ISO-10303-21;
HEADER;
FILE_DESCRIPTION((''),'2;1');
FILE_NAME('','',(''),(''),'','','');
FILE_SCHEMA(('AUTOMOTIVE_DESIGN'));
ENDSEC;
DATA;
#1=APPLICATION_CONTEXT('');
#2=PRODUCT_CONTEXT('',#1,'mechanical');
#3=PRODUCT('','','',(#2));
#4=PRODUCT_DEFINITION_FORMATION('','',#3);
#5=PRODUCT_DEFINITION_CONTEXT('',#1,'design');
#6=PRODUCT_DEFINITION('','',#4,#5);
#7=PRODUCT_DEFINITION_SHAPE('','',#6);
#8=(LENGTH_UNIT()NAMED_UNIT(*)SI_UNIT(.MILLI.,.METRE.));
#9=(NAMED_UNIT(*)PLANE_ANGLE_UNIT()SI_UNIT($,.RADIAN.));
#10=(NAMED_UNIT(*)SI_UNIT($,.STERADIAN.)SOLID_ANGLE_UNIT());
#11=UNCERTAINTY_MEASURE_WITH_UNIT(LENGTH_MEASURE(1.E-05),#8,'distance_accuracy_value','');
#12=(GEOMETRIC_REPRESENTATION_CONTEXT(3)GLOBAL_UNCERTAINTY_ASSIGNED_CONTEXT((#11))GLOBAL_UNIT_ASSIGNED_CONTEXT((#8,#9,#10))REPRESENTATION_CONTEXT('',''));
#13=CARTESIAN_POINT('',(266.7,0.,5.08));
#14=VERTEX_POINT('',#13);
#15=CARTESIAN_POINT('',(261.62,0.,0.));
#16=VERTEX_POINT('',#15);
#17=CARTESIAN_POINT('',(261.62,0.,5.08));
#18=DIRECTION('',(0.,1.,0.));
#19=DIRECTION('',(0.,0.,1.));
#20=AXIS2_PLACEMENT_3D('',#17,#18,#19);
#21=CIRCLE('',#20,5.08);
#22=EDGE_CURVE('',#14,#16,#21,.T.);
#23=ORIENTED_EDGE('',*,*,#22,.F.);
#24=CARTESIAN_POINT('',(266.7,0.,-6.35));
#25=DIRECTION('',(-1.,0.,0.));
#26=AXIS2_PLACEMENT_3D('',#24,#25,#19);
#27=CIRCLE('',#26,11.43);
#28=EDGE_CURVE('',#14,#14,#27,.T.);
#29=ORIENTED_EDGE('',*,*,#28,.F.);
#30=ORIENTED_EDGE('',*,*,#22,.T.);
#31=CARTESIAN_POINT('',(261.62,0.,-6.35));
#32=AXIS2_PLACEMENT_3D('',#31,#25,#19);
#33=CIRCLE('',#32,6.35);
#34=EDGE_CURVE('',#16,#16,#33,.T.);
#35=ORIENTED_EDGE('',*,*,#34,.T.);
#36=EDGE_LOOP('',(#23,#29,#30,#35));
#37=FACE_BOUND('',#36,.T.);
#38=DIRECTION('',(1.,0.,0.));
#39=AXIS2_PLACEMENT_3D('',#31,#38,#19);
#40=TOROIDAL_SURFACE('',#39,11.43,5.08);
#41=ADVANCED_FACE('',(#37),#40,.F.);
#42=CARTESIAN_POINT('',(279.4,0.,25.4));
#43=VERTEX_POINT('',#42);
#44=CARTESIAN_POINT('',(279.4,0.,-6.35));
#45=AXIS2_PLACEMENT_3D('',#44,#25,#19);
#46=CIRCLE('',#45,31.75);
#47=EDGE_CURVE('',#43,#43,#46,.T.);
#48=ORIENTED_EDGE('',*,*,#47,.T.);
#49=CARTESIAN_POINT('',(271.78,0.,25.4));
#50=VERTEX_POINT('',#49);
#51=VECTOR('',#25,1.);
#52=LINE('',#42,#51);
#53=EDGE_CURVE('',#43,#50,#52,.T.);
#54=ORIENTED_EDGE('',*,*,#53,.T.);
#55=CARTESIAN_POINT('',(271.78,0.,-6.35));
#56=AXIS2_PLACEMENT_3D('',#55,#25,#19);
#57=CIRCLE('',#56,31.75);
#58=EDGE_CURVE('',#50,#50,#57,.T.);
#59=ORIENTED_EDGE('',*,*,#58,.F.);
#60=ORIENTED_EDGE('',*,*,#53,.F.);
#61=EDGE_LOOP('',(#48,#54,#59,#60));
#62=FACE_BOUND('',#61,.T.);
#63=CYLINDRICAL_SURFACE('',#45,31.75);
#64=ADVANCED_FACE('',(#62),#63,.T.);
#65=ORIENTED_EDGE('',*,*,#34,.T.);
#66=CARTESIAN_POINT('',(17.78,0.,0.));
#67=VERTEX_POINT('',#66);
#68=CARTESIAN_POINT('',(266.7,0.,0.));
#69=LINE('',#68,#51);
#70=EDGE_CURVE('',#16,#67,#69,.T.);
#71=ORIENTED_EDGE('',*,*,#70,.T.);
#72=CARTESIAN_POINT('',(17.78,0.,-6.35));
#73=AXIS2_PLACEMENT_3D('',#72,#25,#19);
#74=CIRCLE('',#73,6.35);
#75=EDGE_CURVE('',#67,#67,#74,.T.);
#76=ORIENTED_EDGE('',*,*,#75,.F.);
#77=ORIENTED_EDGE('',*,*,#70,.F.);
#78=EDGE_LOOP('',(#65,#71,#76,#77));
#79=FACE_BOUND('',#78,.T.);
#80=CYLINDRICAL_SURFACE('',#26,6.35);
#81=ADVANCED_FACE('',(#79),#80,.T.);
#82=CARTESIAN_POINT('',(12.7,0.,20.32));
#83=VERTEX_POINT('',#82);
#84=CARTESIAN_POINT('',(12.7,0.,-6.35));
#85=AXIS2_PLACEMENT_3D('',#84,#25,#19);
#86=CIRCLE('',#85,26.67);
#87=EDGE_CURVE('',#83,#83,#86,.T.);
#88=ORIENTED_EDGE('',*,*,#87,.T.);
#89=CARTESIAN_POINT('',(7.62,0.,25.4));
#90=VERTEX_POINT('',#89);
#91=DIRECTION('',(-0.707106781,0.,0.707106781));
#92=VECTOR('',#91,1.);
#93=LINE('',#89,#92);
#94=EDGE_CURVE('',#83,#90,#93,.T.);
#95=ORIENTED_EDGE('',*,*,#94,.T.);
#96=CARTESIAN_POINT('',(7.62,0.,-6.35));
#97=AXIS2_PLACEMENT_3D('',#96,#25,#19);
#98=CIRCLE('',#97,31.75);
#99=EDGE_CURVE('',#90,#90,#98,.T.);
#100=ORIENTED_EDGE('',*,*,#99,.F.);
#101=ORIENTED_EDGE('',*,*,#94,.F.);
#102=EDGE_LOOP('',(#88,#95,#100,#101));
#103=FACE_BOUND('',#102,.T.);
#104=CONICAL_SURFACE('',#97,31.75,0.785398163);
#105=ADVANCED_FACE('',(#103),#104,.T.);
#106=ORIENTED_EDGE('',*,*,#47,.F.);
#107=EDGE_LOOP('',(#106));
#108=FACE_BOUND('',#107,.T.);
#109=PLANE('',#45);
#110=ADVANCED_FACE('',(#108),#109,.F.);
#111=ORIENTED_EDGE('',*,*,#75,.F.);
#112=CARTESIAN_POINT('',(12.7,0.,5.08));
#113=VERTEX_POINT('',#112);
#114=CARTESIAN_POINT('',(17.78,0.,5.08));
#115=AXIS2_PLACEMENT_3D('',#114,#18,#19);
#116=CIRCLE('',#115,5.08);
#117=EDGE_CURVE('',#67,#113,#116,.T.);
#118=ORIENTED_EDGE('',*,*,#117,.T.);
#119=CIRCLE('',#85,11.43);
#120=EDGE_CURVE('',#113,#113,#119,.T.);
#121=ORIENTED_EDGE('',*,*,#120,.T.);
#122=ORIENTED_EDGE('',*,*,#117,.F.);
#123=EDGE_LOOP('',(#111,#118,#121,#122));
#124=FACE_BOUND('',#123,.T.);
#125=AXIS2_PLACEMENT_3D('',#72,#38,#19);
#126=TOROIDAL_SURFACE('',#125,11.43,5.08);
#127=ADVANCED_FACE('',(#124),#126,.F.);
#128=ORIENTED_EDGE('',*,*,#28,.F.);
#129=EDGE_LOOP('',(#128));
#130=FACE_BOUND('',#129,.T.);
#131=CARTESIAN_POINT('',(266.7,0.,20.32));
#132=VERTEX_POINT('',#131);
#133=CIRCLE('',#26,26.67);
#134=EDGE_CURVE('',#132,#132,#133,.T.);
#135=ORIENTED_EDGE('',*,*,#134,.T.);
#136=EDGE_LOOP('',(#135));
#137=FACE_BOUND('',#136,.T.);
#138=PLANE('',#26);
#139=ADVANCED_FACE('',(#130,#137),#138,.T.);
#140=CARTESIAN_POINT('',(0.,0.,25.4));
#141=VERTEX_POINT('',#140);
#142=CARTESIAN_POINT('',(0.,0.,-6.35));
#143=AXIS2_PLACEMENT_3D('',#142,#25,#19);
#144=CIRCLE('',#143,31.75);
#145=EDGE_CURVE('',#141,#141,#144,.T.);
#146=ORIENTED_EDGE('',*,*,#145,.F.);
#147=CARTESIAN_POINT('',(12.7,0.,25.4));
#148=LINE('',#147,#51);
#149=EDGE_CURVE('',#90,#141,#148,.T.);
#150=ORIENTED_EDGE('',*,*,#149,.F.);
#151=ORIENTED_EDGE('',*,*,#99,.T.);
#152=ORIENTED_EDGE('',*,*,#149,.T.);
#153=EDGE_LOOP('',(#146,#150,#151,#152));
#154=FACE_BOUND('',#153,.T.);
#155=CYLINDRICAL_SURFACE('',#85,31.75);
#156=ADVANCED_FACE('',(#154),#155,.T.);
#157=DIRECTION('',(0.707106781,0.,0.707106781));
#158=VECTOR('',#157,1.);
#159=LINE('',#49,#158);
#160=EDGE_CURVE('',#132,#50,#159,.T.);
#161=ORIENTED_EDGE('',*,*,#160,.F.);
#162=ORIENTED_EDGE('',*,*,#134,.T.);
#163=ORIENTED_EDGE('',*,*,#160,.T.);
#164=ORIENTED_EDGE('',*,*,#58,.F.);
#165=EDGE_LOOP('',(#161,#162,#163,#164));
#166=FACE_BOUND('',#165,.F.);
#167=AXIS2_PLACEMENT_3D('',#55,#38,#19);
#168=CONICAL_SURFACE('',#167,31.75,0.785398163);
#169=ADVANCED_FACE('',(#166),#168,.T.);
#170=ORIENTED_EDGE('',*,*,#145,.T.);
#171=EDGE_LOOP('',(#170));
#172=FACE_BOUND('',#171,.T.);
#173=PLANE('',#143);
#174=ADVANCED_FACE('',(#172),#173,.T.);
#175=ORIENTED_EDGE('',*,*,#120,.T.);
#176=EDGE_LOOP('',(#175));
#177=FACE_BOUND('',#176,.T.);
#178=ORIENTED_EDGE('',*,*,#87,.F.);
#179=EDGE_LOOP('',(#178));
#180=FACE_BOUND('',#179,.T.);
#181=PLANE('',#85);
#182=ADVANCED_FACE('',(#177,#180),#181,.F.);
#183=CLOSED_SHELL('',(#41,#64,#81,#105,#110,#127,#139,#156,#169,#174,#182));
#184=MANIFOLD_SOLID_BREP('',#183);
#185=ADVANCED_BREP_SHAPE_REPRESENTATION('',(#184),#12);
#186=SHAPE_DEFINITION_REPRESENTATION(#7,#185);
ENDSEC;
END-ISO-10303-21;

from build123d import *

# Parameters (mm, degrees)
F2_R    = 5.08
F3_SIZE = 5.08
F4_SIZE = 5.08


with BuildPart() as f1:
    # F0 (on Front) → F1 (revolve)
    with BuildSketch(Plane.XZ):
        Polygon((12.7, 25.4), (0, 25.4), (0, -6.35), (130.3428560495, -6.35), (279.4, -6.35), (279.4, 25.4), (266.7, 25.4), (266.7, 0), (12.7, 0), align=None)
    revolve(axis=Axis((139.7, 0, -6.35), (-1, 0, 0)))

    # F2
    f2_edges = [f1.edges().sort_by_distance(p)[0] for p in [
        (12.7, 0, -12.7),
        (266.7, 0, -12.7),
    ]]
    fillet(f2_edges, radius=F2_R)

    # F3
    f3_edges = [f1.edges().sort_by_distance(p)[0] for p in [
        (12.7, 0, -38.1),
    ]]
    chamfer(f3_edges, length=F3_SIZE)

    # F4
    f4_edges = [f1.edges().sort_by_distance(p)[0] for p in [
        (266.7, 0, -38.1),
    ]]
    chamfer(f4_edges, length=F4_SIZE)


solid = f1.part
